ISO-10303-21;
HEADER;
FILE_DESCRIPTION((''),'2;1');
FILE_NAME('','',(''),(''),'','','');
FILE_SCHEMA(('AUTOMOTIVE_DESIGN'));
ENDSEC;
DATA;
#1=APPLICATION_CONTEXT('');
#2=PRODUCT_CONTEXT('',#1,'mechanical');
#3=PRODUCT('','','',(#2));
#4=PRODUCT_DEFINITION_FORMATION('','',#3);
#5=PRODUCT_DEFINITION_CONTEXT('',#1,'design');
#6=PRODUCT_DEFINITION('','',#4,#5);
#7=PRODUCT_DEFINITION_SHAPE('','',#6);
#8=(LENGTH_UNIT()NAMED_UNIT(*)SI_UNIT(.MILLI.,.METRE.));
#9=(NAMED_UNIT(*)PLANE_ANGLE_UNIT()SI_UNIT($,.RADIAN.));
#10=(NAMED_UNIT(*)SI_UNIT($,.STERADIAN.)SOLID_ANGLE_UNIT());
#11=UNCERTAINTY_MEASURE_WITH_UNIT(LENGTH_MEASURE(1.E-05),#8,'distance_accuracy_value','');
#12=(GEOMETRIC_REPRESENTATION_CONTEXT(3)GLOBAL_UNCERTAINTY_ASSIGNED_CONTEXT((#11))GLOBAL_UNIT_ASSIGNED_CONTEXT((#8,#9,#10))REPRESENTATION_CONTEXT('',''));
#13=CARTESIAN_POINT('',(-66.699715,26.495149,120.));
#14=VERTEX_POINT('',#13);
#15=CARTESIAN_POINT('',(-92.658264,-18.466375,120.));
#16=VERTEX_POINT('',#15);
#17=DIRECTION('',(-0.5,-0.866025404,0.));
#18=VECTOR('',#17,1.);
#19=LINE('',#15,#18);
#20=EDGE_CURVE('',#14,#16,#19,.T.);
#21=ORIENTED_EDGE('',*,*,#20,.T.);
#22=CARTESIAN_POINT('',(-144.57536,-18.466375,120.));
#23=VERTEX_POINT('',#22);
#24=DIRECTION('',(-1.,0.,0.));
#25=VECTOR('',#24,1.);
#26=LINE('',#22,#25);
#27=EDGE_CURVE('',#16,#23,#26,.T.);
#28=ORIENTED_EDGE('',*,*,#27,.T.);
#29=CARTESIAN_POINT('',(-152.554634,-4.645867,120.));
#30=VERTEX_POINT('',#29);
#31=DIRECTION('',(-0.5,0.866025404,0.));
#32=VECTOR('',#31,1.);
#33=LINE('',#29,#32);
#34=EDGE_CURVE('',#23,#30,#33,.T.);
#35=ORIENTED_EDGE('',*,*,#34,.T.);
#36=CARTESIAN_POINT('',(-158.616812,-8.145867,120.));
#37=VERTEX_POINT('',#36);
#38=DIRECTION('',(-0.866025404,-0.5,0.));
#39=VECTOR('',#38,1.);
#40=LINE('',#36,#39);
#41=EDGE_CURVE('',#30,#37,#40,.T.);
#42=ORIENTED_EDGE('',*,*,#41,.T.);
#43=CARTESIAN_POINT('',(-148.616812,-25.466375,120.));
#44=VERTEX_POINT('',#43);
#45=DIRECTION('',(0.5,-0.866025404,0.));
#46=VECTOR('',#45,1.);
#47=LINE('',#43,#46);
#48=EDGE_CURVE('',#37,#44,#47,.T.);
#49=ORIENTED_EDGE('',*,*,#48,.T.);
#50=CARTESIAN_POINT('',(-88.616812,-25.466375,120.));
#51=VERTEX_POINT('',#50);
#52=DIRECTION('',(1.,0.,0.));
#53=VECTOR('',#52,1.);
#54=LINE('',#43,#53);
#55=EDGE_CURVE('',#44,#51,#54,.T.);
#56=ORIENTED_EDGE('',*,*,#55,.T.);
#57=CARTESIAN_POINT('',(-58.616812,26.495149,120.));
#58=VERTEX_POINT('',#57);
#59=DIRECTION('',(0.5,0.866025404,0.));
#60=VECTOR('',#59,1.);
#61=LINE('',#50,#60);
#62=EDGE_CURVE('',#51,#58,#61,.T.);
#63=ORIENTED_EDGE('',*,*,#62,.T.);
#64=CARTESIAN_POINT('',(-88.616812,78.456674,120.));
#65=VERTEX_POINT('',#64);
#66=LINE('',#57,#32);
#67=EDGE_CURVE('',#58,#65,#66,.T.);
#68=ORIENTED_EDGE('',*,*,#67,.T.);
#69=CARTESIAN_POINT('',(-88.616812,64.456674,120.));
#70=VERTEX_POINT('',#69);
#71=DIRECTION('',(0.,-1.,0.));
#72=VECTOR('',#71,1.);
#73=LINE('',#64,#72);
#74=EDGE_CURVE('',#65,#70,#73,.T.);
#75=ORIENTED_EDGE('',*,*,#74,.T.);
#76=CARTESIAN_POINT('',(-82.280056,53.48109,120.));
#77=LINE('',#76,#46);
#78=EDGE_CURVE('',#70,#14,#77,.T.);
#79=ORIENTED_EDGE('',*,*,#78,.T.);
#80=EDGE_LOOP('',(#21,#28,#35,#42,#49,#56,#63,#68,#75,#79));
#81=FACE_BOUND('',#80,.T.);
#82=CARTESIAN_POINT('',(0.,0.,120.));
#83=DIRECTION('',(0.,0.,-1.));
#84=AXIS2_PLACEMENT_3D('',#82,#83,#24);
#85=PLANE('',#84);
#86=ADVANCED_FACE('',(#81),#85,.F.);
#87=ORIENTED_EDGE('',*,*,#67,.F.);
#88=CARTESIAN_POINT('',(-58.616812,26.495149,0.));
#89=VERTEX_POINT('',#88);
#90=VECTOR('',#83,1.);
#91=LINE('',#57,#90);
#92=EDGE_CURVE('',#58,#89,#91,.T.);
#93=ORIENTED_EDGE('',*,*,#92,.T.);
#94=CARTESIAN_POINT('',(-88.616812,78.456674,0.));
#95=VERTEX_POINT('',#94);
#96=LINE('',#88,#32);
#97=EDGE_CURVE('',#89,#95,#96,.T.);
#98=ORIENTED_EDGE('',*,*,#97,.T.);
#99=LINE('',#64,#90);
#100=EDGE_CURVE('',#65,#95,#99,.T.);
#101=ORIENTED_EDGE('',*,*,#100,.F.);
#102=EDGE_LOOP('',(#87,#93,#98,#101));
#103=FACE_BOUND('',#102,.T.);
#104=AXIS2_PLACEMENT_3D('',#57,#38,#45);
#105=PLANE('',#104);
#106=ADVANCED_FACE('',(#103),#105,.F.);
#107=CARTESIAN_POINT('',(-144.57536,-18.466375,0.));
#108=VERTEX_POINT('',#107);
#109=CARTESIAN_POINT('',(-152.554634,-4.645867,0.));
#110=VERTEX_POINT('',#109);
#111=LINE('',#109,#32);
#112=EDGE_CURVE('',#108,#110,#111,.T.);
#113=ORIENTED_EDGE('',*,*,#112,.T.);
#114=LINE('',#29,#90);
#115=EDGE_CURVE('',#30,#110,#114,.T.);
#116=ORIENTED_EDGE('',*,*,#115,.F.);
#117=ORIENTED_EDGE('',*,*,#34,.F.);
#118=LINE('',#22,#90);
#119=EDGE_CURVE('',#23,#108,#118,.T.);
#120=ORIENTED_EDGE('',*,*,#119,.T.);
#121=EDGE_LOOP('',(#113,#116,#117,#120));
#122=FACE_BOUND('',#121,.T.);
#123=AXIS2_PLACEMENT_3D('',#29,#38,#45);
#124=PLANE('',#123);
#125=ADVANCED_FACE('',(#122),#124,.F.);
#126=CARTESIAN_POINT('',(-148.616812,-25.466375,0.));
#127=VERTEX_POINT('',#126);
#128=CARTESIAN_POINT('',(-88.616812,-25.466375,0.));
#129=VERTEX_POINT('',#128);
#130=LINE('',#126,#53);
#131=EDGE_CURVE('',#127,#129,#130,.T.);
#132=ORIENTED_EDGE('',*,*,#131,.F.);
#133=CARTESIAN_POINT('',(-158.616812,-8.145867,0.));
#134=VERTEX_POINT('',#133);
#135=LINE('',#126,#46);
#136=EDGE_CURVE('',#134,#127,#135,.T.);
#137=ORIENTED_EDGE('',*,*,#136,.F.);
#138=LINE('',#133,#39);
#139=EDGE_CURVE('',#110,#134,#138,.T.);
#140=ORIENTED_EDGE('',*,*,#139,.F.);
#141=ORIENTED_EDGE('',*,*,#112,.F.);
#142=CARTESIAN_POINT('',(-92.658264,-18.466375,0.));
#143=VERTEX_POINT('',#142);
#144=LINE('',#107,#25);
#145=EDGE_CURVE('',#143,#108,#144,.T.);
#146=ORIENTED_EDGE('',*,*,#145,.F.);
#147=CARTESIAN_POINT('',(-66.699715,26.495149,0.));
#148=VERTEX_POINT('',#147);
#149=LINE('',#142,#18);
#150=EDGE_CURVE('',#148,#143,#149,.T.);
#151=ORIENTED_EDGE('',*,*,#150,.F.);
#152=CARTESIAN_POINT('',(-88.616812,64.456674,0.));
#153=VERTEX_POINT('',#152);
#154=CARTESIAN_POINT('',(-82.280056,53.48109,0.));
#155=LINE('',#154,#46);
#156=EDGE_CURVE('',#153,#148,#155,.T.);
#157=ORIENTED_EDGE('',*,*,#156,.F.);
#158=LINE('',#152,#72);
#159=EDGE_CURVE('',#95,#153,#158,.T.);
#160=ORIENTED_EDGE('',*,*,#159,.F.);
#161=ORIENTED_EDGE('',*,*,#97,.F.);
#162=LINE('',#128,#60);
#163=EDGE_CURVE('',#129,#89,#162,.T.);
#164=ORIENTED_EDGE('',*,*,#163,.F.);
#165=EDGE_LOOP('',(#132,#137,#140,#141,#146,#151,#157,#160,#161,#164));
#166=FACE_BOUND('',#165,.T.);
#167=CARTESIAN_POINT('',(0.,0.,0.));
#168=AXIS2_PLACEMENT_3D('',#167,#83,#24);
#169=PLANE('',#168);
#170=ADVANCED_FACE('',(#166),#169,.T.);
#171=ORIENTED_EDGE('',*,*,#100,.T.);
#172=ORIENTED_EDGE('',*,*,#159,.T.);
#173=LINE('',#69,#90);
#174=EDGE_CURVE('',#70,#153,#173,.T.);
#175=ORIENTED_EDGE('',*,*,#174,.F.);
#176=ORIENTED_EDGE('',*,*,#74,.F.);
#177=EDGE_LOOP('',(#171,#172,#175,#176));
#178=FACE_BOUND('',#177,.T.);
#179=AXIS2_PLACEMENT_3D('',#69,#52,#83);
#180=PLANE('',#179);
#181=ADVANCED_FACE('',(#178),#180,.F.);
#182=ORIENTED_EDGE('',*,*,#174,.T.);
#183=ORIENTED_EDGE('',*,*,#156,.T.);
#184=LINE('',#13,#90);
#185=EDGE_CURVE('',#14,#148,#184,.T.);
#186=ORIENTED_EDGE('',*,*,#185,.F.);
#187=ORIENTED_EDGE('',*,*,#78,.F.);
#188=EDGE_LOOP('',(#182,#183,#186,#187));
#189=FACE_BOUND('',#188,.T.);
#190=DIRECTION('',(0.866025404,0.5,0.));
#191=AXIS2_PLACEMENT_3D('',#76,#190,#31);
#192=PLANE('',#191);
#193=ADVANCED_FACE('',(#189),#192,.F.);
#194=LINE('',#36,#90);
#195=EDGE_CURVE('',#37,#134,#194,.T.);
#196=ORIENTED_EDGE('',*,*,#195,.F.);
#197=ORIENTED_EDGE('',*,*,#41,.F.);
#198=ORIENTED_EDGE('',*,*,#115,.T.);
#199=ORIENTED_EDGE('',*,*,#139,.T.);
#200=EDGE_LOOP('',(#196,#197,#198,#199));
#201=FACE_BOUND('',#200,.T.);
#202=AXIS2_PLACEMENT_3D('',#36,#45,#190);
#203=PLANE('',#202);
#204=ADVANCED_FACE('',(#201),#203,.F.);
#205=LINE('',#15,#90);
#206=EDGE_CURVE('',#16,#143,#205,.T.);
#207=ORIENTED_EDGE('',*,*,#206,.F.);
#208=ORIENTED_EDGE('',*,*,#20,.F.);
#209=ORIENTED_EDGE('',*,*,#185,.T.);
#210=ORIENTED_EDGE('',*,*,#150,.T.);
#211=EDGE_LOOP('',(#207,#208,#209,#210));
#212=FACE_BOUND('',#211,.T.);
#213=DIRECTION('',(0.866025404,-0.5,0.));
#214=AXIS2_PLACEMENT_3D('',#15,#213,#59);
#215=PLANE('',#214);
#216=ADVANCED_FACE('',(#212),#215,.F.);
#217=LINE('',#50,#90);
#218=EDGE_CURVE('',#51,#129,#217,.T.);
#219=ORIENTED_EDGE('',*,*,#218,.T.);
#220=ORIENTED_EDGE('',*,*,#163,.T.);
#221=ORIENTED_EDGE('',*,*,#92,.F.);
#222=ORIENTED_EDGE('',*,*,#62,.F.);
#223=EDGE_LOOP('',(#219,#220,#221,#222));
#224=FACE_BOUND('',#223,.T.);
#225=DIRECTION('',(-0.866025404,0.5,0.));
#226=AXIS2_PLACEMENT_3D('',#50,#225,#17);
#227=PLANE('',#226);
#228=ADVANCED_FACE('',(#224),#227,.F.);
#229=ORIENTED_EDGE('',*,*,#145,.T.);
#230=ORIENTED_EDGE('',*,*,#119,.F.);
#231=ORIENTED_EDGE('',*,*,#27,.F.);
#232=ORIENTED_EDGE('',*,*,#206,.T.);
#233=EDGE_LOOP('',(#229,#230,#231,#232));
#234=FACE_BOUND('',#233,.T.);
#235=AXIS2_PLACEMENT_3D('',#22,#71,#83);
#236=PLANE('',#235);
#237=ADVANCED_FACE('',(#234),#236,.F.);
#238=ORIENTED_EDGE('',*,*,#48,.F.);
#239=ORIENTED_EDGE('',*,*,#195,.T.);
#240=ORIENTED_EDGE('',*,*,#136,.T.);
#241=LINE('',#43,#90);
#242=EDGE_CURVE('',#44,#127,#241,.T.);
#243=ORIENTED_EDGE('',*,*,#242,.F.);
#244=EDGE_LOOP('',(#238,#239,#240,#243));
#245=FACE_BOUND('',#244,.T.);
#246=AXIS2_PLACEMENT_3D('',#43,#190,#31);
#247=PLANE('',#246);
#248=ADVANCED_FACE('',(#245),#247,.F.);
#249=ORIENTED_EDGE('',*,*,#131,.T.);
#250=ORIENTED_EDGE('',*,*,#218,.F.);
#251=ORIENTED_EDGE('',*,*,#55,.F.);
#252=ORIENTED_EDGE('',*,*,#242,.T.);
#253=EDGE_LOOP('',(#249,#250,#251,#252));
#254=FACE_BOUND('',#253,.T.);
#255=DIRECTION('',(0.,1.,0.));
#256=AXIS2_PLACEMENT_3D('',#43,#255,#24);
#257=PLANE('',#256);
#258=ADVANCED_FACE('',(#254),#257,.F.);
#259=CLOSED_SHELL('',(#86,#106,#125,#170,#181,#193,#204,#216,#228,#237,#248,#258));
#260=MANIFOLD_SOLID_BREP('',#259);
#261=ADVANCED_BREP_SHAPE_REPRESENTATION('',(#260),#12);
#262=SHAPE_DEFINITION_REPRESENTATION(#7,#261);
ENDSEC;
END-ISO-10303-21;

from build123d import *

# Parameters (mm, degrees)
SALIENTE_EXTRUIR1_DEPTH = 120


with BuildPart() as part:
    # Croquis1 → Saliente-Extruir1 (new body)
    with BuildSketch(Plane.XY):
        Polygon((-148.61681164, -25.466374827), (-88.61681164, -25.466374827), (-58.61681164, 26.4951494), (-88.61681164, 78.456673627), (-88.61681164, 68.635843337), (-88.61681164, 64.456673627), (-82.280055586, 53.481090185), (-66.699715409, 26.4951494), (-92.658263524, -18.466374827), (-144.575359756, -18.466374827), (-152.554633813, -4.645866752), (-158.61681164, -8.145866752), align=None)
    extrude(amount=SALIENTE_EXTRUIR1_DEPTH)


solid = part.part
